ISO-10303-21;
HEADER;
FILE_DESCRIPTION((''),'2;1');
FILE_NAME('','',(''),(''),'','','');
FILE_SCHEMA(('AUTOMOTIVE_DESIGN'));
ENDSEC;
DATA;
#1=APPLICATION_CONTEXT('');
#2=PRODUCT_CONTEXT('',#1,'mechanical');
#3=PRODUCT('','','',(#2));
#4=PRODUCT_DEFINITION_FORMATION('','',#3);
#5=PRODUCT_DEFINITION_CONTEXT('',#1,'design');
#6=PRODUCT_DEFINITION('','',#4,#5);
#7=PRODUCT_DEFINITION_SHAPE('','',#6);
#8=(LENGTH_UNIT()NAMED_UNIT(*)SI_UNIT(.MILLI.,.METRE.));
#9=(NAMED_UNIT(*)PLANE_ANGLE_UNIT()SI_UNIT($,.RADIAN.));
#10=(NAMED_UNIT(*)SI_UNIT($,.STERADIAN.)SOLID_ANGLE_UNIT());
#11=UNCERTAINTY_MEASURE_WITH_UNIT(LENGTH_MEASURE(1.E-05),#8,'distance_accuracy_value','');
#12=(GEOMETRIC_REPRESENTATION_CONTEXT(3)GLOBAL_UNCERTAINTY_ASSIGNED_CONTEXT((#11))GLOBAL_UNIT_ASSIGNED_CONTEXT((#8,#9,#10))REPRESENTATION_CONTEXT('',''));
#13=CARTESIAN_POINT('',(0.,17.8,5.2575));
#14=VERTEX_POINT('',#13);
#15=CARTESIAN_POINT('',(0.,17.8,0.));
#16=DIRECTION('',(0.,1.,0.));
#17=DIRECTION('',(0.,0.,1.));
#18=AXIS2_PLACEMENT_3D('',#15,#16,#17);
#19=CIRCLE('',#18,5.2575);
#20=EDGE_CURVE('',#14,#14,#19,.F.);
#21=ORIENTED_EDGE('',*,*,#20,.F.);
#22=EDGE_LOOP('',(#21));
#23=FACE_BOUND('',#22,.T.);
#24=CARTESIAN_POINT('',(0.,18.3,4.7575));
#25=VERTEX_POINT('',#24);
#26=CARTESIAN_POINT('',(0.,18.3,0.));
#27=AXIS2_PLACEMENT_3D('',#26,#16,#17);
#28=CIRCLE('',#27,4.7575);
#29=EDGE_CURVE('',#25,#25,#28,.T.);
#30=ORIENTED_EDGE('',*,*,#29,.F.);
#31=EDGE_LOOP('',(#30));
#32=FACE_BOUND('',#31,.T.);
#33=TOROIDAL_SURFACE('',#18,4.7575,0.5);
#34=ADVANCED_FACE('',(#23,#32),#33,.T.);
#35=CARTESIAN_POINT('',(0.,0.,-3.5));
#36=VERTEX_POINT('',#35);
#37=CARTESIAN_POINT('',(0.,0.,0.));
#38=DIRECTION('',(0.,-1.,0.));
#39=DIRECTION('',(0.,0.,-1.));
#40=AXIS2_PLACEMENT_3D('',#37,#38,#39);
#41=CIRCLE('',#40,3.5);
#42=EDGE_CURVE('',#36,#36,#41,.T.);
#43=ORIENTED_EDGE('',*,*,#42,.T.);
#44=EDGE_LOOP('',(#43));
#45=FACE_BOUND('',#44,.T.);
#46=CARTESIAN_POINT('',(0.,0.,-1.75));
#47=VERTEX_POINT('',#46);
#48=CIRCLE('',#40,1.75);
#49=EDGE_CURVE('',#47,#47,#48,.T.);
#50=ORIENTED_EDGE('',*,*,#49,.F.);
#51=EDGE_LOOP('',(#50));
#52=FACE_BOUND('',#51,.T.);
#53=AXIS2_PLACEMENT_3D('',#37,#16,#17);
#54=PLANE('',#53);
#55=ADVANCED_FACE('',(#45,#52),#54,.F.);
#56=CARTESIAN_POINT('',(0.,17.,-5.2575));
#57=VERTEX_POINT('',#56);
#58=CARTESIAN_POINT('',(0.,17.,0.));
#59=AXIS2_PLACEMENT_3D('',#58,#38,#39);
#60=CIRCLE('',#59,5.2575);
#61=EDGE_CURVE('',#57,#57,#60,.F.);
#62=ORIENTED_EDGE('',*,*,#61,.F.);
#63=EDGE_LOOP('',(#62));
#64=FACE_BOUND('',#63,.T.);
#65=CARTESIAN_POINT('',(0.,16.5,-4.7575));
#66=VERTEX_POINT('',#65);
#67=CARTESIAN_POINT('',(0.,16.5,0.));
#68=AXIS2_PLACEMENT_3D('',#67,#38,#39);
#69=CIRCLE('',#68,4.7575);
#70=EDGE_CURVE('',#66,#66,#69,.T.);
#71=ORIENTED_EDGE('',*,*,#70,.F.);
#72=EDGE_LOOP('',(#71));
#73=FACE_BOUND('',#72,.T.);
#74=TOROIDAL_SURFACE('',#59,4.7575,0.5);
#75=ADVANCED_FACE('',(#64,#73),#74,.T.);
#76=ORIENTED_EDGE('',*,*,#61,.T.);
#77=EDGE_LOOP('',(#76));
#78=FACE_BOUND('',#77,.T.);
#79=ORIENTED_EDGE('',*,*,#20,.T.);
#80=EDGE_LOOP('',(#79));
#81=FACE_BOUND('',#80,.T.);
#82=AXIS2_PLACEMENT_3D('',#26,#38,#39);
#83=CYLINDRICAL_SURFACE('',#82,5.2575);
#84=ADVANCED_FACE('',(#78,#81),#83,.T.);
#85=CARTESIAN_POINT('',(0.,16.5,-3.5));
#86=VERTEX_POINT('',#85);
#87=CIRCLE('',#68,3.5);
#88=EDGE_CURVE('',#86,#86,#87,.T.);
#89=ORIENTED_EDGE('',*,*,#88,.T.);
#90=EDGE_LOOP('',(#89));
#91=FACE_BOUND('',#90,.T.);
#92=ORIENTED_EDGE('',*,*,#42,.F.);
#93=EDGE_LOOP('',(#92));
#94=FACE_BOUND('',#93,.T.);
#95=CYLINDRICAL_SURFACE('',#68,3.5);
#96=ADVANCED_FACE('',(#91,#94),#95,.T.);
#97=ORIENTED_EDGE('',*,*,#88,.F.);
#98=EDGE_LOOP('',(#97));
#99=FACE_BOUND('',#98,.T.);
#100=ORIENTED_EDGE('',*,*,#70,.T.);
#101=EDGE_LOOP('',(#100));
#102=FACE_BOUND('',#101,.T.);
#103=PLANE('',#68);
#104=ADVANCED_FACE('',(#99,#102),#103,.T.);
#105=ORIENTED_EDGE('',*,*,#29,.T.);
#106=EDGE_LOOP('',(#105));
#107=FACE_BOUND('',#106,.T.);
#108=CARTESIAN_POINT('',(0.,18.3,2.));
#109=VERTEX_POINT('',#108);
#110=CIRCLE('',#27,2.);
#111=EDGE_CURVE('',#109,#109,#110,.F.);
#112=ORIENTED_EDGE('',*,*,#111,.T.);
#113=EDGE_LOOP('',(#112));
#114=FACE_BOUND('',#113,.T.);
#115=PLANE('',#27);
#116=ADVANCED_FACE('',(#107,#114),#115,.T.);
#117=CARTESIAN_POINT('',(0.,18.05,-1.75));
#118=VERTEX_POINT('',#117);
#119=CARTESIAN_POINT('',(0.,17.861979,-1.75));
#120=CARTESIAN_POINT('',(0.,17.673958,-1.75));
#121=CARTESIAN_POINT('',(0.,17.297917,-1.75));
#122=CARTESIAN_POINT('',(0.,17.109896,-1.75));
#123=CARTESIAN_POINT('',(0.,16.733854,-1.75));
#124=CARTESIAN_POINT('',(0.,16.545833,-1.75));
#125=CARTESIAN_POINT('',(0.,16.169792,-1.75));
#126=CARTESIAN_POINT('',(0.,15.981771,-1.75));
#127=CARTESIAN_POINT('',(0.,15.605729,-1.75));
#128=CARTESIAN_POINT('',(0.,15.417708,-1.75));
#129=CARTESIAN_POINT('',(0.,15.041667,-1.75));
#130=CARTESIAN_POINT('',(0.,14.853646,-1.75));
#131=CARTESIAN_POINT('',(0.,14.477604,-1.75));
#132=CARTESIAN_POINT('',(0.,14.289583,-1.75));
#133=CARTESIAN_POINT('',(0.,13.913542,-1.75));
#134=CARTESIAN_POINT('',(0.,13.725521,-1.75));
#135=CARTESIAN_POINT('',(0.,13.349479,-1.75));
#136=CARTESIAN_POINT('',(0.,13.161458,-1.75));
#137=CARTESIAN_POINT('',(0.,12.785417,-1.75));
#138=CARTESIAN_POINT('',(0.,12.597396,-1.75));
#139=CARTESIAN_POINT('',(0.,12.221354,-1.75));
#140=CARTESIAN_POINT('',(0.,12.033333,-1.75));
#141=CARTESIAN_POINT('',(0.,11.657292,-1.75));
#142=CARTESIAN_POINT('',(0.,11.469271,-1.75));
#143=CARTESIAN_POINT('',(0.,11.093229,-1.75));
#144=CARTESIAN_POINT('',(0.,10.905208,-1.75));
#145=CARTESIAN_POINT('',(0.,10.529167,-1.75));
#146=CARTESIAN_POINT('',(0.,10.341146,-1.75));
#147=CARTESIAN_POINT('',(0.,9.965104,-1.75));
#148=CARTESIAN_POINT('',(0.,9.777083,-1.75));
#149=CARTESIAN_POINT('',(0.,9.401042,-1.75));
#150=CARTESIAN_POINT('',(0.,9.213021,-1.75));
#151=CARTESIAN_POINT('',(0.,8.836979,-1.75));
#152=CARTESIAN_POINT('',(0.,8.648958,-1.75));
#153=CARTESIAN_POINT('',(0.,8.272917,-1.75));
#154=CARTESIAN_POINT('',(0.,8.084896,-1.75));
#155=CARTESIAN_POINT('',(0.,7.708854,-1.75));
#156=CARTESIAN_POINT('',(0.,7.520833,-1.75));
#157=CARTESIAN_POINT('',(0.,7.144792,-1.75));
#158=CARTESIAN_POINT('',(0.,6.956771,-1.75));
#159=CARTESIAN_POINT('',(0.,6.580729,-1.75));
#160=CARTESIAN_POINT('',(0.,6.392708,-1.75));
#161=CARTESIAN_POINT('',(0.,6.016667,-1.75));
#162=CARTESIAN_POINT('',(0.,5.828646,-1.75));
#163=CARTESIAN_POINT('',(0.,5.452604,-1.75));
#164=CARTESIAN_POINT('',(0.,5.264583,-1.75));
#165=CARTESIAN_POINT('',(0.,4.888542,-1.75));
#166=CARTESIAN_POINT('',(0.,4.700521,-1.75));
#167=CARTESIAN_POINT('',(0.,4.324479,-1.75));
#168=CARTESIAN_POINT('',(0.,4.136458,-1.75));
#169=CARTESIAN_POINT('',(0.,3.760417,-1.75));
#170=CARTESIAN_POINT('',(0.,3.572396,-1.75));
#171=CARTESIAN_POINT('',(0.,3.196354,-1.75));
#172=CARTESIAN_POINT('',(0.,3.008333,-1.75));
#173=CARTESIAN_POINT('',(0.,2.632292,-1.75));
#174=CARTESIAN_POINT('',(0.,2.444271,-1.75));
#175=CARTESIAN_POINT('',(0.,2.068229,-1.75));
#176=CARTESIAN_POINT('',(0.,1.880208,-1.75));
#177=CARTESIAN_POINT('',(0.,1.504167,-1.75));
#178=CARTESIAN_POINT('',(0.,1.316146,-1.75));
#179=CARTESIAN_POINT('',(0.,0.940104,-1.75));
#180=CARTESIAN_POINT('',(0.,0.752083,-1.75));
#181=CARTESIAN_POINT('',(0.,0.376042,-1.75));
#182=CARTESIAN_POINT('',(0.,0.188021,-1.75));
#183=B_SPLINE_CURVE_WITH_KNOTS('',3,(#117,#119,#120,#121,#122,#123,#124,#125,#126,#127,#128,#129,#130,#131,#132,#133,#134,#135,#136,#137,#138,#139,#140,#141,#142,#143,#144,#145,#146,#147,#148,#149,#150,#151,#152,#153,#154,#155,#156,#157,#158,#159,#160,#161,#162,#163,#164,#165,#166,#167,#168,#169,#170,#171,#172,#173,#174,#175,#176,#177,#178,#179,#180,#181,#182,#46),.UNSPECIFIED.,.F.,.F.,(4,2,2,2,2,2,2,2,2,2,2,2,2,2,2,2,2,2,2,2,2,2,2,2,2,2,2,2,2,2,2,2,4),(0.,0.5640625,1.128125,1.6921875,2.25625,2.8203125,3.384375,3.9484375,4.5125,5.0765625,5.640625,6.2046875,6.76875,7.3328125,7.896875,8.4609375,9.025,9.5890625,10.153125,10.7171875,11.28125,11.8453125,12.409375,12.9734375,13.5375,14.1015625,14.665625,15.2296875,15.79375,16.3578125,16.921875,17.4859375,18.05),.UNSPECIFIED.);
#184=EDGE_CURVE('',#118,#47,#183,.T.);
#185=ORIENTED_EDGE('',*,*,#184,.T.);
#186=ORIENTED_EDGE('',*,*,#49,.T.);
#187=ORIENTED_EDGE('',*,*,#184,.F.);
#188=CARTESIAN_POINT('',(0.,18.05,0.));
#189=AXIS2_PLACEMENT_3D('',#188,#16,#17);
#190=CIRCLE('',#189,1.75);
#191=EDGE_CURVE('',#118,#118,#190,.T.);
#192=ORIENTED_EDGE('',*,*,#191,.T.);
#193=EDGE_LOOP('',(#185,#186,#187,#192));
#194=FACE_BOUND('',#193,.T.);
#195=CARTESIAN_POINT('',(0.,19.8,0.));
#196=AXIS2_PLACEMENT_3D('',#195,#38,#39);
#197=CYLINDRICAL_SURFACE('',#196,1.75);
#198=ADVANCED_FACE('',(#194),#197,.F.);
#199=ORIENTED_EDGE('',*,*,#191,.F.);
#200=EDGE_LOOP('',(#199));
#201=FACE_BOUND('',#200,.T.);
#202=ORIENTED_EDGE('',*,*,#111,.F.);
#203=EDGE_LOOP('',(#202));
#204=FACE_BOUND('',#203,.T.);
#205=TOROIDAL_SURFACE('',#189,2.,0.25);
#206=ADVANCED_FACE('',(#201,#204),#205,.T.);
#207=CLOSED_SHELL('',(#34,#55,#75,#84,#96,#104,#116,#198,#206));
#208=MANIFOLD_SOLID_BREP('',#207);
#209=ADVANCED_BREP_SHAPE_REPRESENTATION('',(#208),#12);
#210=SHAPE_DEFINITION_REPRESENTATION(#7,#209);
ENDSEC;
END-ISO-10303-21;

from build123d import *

# Parameters (mm, degrees)
SKETCH1_R           = 5.2575
BOSS_EXTRUDE2_DEPTH = 18.3
SKETCH3_R           = 1.75
CUT_EXTRUDE2_DEPTH  = 19.8
SKETCH4_R           = 5.2575
SKETCH4_R_2         = 3.5
CUT_EXTRUDE3_DEPTH  = 16.5
FILLET1_R           = 0.5
FILLET2_R           = 0.25
FILLET3_R           = 0.5


with BuildPart() as part:
    # Sketch1 → Boss-Extrude2 (new body)
    with BuildSketch(Plane(origin=(0, 0, 0), x_dir=(1, 0, 0), z_dir=(0, 1, 0))):
        with Locations(Location((0, 0, 0), (0, 0, 270))):
            Circle(SKETCH1_R)
    extrude(amount=BOSS_EXTRUDE2_DEPTH)

    # Sketch3 → Cut-Extrude2 (cut)
    with BuildSketch(Plane(origin=(0, 0, 0), x_dir=(-1, 0, 0), z_dir=(0, -1, 0))):
        with Locations(Location((0, 0, 0), (0, 0, 90))):
            Circle(SKETCH3_R)
    extrude(amount=-CUT_EXTRUDE2_DEPTH, mode=Mode.SUBTRACT)

    # Sketch4 → Cut-Extrude3 (cut)
    with BuildSketch(Plane(origin=(0, 0, 0), x_dir=(-1, 0, 0), z_dir=(0, -1, 0))):
        with Locations(Location((0, 0, 0), (0, 0, 90))):
            Circle(SKETCH4_R)
        with Locations(Location((0, 0, 0), (0, 0, 90))):
            Circle(SKETCH4_R_2, mode=Mode.SUBTRACT)
    extrude(amount=-CUT_EXTRUDE3_DEPTH, mode=Mode.SUBTRACT)

    # Fillet1
    fillet1_edges = [part.edges().sort_by_distance(p)[0] for p in [
        (0, 18.3, -5.2575),
    ]]
    fillet(fillet1_edges, radius=FILLET1_R)

    # Fillet2
    fillet2_edges = [part.edges().sort_by_distance(p)[0] for p in [
        (0, 18.3, 1.75),
    ]]
    fillet(fillet2_edges, radius=FILLET2_R)

    # Fillet3
    fillet3_edges = [part.edges().sort_by_distance(p)[0] for p in [
        (0, 16.5, -5.2575),
    ]]
    fillet(fillet3_edges, radius=FILLET3_R)


solid = part.part
